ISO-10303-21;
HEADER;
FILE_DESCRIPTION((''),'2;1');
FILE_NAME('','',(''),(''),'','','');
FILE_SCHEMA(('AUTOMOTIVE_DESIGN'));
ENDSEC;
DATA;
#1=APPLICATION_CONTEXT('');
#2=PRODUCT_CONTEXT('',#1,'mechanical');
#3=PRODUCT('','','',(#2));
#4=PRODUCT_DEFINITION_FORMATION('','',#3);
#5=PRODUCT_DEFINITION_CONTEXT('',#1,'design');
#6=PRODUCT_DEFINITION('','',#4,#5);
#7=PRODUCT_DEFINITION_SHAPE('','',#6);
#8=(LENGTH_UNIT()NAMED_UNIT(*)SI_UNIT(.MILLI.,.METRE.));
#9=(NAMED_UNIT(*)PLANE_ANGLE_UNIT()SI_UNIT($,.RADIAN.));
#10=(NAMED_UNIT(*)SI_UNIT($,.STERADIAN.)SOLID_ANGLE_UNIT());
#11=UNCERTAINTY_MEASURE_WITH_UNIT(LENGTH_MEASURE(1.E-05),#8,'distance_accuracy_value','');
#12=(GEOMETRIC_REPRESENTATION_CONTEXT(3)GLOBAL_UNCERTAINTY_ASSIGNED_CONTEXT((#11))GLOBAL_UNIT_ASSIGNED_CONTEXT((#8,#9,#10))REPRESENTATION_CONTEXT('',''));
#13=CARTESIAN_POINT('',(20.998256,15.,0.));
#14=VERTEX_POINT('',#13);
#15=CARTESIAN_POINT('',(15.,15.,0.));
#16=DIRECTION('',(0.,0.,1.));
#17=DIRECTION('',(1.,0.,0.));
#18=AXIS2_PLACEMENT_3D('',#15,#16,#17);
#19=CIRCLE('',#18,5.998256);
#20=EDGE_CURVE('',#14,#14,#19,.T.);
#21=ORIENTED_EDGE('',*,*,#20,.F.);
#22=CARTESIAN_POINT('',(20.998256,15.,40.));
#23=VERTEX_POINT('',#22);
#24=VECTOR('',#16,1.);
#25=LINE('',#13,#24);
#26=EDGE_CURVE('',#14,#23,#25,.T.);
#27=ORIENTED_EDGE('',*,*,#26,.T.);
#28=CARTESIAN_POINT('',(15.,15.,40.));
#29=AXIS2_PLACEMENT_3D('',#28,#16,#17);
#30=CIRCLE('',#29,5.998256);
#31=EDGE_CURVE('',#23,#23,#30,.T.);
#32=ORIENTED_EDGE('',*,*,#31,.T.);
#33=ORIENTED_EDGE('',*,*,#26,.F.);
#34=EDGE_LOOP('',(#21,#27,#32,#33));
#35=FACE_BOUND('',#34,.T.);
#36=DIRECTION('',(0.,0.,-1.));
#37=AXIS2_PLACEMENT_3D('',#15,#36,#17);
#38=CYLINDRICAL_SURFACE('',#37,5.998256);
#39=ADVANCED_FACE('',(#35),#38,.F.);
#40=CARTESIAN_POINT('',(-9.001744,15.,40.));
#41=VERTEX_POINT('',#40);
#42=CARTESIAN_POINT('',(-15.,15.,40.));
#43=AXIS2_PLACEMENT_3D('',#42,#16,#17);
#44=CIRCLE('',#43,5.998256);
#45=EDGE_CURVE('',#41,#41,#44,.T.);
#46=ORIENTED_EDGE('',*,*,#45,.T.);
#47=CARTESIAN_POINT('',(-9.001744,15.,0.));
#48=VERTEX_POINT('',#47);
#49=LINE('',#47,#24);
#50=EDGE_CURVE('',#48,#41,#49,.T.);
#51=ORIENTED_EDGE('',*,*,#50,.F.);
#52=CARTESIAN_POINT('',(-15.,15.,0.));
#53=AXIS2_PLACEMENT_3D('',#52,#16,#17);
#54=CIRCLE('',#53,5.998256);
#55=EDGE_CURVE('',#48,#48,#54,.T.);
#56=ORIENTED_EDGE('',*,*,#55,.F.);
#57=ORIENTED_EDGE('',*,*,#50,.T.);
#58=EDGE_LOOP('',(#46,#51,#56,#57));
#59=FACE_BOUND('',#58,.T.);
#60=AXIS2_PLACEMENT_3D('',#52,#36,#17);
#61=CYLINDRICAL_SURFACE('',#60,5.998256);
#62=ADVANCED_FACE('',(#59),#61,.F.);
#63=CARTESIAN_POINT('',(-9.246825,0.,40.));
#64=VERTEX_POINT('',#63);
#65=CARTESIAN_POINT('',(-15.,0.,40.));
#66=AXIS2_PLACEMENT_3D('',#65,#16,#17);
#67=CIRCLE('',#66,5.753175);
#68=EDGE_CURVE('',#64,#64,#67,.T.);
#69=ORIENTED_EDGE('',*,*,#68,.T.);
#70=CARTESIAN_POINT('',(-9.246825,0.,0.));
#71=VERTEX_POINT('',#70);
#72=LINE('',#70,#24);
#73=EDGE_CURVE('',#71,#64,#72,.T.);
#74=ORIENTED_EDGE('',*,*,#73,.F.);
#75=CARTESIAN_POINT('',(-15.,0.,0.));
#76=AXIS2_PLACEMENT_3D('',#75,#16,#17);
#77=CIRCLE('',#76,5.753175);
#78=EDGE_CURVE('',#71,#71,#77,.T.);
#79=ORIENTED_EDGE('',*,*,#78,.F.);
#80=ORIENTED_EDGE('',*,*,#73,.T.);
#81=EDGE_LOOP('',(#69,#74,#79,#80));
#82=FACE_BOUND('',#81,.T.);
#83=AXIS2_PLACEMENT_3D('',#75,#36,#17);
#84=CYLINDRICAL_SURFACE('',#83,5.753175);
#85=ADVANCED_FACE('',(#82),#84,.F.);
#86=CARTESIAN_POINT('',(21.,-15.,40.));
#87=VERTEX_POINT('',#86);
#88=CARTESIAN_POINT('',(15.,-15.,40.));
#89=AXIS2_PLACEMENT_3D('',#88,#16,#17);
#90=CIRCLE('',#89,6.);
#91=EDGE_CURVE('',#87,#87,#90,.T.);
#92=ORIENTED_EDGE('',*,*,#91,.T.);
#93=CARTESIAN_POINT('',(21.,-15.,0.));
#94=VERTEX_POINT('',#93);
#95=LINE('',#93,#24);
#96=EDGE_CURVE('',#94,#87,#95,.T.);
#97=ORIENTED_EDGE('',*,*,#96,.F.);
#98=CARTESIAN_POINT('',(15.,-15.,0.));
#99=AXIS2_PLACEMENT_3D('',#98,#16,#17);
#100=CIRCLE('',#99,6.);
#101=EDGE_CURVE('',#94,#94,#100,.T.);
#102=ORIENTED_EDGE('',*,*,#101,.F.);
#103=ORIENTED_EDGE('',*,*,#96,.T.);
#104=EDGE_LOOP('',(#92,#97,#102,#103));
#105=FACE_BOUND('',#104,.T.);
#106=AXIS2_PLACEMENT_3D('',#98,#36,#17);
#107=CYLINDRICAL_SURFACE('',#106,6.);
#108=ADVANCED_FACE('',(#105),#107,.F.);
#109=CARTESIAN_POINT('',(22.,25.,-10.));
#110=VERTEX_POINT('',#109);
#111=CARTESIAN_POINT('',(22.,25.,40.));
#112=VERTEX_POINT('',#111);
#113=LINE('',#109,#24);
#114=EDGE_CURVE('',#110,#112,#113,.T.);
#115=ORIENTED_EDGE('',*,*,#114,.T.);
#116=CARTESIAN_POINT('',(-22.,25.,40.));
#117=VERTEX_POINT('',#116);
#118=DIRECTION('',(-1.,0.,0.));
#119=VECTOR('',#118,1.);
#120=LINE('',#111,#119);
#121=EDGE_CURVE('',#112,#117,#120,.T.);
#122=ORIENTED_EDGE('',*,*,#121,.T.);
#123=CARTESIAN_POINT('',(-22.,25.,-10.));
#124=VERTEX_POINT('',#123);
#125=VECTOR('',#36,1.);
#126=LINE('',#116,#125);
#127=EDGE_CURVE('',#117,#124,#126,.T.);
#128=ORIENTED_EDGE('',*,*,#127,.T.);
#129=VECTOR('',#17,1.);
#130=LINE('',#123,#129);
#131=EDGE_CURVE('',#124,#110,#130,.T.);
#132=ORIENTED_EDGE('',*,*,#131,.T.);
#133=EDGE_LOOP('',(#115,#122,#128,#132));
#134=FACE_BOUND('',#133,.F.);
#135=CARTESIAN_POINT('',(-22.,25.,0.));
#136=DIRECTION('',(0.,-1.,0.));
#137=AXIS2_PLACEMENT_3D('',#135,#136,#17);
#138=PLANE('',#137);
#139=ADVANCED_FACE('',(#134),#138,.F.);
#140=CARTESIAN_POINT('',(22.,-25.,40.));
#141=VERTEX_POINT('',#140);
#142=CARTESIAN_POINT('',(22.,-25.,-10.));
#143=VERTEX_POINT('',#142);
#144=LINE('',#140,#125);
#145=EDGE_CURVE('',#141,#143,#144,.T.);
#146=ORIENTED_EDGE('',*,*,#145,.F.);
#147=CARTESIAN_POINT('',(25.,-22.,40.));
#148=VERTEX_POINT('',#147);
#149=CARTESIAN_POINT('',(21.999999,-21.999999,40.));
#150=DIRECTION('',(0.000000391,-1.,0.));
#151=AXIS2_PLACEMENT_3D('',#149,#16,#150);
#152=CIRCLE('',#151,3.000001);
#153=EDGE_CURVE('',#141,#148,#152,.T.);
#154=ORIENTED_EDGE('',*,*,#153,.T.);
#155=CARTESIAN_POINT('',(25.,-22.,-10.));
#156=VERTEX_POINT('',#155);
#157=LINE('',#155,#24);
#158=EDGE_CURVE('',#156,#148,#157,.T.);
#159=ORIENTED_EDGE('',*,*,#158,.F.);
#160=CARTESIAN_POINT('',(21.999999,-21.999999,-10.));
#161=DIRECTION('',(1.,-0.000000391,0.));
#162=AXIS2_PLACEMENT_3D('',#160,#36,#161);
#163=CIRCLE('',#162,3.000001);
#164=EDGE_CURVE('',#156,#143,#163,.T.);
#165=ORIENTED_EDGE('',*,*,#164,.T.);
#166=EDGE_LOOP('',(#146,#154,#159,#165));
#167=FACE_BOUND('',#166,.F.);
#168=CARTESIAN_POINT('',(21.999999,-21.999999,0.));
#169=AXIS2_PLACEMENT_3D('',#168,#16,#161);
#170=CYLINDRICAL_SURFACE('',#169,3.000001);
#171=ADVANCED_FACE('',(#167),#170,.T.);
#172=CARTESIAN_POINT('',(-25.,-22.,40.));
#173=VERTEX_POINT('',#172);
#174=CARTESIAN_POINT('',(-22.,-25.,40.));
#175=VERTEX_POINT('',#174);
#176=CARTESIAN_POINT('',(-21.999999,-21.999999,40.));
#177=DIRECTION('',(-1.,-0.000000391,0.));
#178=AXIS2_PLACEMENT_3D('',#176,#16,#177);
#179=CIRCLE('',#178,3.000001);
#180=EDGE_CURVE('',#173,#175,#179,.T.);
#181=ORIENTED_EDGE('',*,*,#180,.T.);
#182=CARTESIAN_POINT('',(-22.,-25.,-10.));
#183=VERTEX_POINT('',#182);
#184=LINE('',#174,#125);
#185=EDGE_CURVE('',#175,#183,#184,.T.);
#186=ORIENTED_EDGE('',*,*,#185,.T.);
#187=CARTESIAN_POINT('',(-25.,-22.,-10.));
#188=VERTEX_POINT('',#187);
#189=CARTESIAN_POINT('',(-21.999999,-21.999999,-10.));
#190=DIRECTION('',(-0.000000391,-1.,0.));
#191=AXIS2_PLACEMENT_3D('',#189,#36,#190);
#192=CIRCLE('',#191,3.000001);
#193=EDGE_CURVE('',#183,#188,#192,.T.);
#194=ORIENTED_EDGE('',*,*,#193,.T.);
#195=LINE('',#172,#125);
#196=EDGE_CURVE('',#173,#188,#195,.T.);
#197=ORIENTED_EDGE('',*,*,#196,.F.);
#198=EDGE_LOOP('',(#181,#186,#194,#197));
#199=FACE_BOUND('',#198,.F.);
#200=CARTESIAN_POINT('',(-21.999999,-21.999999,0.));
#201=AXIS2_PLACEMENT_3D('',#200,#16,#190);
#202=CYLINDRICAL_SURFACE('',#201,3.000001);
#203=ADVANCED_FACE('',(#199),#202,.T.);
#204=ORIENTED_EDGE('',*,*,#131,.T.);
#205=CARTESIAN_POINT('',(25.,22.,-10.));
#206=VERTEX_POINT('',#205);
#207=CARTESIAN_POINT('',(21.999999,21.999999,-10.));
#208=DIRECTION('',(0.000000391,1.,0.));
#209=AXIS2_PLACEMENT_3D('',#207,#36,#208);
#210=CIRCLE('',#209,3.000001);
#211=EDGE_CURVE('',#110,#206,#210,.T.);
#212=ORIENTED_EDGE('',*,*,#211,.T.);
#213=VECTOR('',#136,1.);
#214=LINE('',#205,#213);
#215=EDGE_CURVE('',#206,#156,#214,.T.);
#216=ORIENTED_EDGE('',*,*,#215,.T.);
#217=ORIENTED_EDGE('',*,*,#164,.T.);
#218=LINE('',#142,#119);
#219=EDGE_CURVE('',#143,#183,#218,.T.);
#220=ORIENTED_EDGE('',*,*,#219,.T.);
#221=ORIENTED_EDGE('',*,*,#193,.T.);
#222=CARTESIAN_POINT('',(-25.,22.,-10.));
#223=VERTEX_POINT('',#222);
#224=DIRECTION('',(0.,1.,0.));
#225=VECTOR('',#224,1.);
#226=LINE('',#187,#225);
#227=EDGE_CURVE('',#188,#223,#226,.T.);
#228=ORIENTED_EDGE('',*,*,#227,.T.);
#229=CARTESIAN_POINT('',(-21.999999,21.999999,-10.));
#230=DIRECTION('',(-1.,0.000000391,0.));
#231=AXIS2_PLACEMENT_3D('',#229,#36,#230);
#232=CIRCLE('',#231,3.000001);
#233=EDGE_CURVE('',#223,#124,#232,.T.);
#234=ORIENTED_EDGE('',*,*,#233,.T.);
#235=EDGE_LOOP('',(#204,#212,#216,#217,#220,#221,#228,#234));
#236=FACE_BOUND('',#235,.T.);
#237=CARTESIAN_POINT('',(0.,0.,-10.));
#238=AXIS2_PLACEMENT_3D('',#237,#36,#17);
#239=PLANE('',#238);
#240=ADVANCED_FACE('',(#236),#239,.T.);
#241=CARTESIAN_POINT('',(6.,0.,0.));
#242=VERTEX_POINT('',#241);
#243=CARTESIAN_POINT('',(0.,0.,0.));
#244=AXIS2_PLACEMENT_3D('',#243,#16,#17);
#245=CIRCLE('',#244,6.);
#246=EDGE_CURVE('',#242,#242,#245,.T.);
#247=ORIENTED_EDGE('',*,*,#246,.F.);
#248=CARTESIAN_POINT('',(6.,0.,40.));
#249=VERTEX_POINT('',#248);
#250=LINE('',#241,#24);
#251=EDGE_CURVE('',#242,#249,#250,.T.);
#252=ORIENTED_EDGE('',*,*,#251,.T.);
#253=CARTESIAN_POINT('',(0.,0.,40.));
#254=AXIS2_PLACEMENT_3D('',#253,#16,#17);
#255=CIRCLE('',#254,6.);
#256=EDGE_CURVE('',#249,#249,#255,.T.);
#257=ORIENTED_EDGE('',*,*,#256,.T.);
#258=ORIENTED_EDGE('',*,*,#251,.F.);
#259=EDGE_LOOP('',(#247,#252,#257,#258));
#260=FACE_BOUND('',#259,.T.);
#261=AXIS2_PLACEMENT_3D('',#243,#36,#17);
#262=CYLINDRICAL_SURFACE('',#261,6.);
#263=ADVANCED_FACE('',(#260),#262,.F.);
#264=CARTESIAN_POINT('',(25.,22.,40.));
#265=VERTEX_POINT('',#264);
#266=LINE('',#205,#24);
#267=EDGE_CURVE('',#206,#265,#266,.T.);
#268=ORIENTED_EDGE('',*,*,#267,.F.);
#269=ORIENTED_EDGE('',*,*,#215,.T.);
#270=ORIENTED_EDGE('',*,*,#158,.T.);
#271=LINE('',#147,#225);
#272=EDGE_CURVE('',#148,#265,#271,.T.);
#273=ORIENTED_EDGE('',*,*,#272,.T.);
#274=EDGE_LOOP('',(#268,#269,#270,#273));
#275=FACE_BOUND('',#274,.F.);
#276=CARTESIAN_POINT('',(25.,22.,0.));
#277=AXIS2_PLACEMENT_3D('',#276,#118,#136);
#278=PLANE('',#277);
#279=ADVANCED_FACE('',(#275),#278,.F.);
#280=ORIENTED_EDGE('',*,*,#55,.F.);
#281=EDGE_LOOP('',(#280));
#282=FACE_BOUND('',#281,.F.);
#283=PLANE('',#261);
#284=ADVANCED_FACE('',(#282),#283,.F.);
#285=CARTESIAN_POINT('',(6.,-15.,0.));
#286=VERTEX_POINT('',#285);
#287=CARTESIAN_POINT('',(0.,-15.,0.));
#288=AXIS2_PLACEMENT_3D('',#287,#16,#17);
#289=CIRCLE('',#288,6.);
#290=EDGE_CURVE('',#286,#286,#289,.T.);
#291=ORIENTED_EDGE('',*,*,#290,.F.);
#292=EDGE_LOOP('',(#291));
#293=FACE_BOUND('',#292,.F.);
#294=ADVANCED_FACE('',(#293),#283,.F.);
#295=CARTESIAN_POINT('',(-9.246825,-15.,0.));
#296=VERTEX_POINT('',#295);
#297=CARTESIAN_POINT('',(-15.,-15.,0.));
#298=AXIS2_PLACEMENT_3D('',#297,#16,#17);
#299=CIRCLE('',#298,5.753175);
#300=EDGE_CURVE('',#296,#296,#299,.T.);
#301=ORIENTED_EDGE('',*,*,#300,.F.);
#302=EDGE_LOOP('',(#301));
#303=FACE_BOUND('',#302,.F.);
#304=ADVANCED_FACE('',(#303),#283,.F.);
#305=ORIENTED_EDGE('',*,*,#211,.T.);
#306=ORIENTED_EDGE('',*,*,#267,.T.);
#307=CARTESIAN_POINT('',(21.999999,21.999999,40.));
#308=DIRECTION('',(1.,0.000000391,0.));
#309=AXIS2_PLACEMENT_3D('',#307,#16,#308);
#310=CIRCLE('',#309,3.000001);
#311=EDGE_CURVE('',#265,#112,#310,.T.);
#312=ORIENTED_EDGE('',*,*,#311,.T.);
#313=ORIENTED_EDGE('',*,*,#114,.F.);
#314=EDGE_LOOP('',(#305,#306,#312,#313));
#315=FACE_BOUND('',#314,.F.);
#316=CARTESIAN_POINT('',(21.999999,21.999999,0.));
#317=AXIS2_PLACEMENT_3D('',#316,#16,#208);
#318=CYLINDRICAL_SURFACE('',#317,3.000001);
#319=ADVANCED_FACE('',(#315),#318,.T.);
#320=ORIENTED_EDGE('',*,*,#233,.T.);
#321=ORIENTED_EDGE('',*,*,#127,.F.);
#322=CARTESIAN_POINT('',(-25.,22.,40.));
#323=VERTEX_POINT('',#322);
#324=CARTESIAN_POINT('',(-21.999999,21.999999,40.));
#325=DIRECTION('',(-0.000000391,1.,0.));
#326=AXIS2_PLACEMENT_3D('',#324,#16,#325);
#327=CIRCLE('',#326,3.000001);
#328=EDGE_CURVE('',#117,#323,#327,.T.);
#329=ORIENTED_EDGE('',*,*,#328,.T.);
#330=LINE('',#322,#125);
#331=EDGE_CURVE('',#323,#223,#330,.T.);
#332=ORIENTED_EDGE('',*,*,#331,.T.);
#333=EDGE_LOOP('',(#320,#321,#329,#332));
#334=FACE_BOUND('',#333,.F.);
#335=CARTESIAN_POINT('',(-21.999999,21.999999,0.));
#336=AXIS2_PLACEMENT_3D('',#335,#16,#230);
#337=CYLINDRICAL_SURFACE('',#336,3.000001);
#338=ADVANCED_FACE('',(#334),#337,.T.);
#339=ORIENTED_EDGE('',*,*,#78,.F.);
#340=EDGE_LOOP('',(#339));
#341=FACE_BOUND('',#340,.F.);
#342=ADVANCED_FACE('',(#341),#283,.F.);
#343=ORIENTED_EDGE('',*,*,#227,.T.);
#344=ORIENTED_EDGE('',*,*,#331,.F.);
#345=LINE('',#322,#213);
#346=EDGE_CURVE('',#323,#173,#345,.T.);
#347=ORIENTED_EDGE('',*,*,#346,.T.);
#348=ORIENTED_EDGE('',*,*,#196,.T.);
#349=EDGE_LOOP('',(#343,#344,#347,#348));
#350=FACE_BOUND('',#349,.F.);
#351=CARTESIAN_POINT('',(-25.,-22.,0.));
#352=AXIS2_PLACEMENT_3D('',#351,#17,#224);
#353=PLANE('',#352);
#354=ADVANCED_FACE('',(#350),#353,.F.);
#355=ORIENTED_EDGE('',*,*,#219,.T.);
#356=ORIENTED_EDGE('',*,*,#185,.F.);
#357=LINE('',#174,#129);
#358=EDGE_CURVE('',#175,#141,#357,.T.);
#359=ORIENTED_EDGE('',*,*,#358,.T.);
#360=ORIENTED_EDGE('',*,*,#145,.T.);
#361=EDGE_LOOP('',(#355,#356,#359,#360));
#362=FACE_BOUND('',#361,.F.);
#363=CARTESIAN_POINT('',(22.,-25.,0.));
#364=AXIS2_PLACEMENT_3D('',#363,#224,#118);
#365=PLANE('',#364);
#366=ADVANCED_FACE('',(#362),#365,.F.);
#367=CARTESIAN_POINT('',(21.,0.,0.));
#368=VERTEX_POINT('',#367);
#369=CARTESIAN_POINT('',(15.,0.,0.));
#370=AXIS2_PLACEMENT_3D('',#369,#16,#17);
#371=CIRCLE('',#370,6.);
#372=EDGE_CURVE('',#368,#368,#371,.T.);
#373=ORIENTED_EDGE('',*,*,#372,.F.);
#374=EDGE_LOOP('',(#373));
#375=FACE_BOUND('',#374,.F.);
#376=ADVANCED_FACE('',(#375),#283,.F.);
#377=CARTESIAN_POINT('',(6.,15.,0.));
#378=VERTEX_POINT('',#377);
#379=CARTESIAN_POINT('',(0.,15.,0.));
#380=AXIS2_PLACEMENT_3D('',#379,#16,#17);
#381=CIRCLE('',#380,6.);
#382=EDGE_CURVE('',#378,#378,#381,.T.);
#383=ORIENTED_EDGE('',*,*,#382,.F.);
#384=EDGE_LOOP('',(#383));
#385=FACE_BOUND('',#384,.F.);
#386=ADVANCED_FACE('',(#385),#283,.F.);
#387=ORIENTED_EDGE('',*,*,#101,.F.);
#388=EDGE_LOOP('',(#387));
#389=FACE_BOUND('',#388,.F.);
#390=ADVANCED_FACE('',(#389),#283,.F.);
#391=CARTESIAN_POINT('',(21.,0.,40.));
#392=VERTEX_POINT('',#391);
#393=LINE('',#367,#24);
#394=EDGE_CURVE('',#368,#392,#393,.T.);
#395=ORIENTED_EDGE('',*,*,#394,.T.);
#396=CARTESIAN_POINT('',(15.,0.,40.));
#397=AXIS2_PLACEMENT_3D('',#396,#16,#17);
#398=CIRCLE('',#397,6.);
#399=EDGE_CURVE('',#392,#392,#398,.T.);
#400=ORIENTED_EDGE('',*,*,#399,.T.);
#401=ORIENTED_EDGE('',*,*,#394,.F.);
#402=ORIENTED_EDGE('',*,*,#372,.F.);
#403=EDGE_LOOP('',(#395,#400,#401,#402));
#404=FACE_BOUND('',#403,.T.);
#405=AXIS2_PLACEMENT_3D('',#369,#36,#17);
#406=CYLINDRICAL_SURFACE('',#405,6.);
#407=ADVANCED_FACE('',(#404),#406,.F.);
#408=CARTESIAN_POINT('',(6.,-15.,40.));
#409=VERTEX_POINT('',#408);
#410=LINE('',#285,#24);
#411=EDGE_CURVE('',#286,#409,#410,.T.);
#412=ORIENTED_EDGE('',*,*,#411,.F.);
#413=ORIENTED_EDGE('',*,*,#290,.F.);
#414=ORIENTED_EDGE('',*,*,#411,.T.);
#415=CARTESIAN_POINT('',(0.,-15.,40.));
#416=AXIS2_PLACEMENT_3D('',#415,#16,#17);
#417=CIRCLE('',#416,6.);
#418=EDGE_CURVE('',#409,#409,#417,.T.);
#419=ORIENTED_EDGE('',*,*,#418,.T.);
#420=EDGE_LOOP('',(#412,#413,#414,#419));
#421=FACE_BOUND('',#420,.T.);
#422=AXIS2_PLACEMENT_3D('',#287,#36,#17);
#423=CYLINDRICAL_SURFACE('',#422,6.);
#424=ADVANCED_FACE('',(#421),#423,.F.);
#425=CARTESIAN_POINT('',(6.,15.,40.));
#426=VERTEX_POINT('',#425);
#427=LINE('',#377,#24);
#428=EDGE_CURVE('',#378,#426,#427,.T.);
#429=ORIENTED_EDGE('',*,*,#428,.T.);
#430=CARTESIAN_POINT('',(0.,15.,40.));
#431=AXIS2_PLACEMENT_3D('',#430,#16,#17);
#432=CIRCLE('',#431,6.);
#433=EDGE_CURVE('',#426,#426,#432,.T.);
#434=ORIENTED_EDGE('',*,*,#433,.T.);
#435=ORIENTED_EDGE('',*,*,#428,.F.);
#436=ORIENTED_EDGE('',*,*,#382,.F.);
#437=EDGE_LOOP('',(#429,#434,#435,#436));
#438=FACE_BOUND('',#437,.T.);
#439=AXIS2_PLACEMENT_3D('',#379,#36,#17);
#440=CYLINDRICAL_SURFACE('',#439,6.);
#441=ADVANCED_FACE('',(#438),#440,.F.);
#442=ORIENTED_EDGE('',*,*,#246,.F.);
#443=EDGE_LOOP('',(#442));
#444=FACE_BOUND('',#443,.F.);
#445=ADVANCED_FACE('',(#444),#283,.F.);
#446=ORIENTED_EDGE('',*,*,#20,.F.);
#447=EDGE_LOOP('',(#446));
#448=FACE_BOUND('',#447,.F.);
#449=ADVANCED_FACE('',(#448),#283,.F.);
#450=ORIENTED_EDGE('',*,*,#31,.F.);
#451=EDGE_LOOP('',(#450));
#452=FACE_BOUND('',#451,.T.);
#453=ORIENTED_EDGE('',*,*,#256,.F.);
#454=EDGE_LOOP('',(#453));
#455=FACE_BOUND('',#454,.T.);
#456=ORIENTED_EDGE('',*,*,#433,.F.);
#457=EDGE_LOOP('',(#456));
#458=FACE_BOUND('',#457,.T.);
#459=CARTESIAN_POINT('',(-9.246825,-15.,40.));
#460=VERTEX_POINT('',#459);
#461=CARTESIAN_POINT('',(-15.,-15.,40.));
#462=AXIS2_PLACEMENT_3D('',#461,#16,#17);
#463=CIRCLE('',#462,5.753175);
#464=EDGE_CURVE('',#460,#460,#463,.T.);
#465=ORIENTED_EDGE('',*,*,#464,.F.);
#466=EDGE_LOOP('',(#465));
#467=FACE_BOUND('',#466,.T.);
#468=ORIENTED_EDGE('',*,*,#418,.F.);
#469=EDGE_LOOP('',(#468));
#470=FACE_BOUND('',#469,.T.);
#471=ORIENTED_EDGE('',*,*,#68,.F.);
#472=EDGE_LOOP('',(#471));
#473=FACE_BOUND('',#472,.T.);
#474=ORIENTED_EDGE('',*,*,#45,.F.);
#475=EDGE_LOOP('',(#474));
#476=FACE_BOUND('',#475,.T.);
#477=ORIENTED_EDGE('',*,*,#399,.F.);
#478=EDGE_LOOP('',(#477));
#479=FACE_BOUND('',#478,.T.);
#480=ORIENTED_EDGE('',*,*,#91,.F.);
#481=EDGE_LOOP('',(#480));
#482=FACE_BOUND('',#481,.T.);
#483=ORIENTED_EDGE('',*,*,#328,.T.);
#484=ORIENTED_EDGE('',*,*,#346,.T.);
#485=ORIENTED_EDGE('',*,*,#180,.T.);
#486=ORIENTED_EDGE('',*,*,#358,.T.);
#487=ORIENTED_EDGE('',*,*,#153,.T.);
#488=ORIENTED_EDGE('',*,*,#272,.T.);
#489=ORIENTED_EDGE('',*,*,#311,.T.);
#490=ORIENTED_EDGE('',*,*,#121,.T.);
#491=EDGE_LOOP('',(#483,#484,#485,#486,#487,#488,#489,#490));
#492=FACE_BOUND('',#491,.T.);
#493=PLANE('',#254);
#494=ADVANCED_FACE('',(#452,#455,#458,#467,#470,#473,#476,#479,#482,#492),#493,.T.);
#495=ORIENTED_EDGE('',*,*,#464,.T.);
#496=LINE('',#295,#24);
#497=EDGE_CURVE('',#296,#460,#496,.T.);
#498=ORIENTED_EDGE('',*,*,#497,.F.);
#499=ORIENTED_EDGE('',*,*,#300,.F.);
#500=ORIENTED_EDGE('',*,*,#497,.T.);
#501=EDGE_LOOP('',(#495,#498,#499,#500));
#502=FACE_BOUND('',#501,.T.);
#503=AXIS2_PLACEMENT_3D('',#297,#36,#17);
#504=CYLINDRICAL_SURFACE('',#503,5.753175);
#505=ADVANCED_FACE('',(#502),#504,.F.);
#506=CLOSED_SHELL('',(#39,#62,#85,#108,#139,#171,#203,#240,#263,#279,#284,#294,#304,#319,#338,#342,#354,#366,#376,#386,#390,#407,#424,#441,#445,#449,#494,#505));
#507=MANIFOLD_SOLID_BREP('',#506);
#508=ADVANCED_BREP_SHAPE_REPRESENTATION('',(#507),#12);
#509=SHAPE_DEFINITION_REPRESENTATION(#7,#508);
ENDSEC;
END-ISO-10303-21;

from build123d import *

# Parameters (mm, degrees)
F0_R     = 5.753175
F0_R_2   = 6
F0_R_3   = 5.998256
F1_DEPTH = 40
F3_DEPTH = 10


with BuildPart() as f1:
    # F0 (on Top) → F1 (new body)
    with BuildSketch(Plane.XY):
        with BuildLine():
            ThreePointArc((25, 22), (24.12132, 24.12132), (22, 25))
            Line((22, 25), (-22, 25))
            ThreePointArc((-22, 25), (-24.12132, 24.12132), (-25, 22))
            Line((-25, 22), (-25, -22))
            ThreePointArc((-25, -22), (-24.12132, -24.12132), (-22, -25))
            Line((-22, -25), (22, -25))
            ThreePointArc((22, -25), (24.12132, -24.12132), (25, -22))
            Line((25, -22), (25, 22))
        make_face()
        with Locations((-15, -15)):
            Circle(F0_R, mode=Mode.SUBTRACT)
        with Locations((0, -15)):
            Circle(F0_R_2, mode=Mode.SUBTRACT)
        with Locations((15, -15)):
            Circle(F0_R_2, mode=Mode.SUBTRACT)
        with Locations((-15, 0)):
            Circle(F0_R, mode=Mode.SUBTRACT)
        with Locations((-15, 15)):
            Circle(F0_R_3, mode=Mode.SUBTRACT)
        Circle(F0_R_2, mode=Mode.SUBTRACT)
        with Locations((15, 0)):
            Circle(F0_R_2, mode=Mode.SUBTRACT)
        with Locations((0, 15)):
            Circle(F0_R_2, mode=Mode.SUBTRACT)
        with Locations((15, 15)):
            Circle(F0_R_3, mode=Mode.SUBTRACT)
    extrude(amount=F1_DEPTH)

    # F2 (on face) → F3 (join)
    with BuildSketch(Plane(origin=(0, 0, 0), x_dir=(1, 0, 0), z_dir=(0, 0, -1))):
        with BuildLine():
            ThreePointArc((25, 22), (24.12132, 24.12132), (22, 25))
            Line((22, 25), (-22, 25))
            ThreePointArc((-22, 25), (-24.12132, 24.12132), (-25, 22))
            Line((-25, 22), (-25, -22))
            ThreePointArc((-25, -22), (-24.12132, -24.12132), (-22, -25))
            Line((-22, -25), (22, -25))
            ThreePointArc((22, -25), (24.12132, -24.12132), (25, -22))
            Line((25, -22), (25, 22))
        make_face()
    extrude(amount=F3_DEPTH)


solid = f1.part
